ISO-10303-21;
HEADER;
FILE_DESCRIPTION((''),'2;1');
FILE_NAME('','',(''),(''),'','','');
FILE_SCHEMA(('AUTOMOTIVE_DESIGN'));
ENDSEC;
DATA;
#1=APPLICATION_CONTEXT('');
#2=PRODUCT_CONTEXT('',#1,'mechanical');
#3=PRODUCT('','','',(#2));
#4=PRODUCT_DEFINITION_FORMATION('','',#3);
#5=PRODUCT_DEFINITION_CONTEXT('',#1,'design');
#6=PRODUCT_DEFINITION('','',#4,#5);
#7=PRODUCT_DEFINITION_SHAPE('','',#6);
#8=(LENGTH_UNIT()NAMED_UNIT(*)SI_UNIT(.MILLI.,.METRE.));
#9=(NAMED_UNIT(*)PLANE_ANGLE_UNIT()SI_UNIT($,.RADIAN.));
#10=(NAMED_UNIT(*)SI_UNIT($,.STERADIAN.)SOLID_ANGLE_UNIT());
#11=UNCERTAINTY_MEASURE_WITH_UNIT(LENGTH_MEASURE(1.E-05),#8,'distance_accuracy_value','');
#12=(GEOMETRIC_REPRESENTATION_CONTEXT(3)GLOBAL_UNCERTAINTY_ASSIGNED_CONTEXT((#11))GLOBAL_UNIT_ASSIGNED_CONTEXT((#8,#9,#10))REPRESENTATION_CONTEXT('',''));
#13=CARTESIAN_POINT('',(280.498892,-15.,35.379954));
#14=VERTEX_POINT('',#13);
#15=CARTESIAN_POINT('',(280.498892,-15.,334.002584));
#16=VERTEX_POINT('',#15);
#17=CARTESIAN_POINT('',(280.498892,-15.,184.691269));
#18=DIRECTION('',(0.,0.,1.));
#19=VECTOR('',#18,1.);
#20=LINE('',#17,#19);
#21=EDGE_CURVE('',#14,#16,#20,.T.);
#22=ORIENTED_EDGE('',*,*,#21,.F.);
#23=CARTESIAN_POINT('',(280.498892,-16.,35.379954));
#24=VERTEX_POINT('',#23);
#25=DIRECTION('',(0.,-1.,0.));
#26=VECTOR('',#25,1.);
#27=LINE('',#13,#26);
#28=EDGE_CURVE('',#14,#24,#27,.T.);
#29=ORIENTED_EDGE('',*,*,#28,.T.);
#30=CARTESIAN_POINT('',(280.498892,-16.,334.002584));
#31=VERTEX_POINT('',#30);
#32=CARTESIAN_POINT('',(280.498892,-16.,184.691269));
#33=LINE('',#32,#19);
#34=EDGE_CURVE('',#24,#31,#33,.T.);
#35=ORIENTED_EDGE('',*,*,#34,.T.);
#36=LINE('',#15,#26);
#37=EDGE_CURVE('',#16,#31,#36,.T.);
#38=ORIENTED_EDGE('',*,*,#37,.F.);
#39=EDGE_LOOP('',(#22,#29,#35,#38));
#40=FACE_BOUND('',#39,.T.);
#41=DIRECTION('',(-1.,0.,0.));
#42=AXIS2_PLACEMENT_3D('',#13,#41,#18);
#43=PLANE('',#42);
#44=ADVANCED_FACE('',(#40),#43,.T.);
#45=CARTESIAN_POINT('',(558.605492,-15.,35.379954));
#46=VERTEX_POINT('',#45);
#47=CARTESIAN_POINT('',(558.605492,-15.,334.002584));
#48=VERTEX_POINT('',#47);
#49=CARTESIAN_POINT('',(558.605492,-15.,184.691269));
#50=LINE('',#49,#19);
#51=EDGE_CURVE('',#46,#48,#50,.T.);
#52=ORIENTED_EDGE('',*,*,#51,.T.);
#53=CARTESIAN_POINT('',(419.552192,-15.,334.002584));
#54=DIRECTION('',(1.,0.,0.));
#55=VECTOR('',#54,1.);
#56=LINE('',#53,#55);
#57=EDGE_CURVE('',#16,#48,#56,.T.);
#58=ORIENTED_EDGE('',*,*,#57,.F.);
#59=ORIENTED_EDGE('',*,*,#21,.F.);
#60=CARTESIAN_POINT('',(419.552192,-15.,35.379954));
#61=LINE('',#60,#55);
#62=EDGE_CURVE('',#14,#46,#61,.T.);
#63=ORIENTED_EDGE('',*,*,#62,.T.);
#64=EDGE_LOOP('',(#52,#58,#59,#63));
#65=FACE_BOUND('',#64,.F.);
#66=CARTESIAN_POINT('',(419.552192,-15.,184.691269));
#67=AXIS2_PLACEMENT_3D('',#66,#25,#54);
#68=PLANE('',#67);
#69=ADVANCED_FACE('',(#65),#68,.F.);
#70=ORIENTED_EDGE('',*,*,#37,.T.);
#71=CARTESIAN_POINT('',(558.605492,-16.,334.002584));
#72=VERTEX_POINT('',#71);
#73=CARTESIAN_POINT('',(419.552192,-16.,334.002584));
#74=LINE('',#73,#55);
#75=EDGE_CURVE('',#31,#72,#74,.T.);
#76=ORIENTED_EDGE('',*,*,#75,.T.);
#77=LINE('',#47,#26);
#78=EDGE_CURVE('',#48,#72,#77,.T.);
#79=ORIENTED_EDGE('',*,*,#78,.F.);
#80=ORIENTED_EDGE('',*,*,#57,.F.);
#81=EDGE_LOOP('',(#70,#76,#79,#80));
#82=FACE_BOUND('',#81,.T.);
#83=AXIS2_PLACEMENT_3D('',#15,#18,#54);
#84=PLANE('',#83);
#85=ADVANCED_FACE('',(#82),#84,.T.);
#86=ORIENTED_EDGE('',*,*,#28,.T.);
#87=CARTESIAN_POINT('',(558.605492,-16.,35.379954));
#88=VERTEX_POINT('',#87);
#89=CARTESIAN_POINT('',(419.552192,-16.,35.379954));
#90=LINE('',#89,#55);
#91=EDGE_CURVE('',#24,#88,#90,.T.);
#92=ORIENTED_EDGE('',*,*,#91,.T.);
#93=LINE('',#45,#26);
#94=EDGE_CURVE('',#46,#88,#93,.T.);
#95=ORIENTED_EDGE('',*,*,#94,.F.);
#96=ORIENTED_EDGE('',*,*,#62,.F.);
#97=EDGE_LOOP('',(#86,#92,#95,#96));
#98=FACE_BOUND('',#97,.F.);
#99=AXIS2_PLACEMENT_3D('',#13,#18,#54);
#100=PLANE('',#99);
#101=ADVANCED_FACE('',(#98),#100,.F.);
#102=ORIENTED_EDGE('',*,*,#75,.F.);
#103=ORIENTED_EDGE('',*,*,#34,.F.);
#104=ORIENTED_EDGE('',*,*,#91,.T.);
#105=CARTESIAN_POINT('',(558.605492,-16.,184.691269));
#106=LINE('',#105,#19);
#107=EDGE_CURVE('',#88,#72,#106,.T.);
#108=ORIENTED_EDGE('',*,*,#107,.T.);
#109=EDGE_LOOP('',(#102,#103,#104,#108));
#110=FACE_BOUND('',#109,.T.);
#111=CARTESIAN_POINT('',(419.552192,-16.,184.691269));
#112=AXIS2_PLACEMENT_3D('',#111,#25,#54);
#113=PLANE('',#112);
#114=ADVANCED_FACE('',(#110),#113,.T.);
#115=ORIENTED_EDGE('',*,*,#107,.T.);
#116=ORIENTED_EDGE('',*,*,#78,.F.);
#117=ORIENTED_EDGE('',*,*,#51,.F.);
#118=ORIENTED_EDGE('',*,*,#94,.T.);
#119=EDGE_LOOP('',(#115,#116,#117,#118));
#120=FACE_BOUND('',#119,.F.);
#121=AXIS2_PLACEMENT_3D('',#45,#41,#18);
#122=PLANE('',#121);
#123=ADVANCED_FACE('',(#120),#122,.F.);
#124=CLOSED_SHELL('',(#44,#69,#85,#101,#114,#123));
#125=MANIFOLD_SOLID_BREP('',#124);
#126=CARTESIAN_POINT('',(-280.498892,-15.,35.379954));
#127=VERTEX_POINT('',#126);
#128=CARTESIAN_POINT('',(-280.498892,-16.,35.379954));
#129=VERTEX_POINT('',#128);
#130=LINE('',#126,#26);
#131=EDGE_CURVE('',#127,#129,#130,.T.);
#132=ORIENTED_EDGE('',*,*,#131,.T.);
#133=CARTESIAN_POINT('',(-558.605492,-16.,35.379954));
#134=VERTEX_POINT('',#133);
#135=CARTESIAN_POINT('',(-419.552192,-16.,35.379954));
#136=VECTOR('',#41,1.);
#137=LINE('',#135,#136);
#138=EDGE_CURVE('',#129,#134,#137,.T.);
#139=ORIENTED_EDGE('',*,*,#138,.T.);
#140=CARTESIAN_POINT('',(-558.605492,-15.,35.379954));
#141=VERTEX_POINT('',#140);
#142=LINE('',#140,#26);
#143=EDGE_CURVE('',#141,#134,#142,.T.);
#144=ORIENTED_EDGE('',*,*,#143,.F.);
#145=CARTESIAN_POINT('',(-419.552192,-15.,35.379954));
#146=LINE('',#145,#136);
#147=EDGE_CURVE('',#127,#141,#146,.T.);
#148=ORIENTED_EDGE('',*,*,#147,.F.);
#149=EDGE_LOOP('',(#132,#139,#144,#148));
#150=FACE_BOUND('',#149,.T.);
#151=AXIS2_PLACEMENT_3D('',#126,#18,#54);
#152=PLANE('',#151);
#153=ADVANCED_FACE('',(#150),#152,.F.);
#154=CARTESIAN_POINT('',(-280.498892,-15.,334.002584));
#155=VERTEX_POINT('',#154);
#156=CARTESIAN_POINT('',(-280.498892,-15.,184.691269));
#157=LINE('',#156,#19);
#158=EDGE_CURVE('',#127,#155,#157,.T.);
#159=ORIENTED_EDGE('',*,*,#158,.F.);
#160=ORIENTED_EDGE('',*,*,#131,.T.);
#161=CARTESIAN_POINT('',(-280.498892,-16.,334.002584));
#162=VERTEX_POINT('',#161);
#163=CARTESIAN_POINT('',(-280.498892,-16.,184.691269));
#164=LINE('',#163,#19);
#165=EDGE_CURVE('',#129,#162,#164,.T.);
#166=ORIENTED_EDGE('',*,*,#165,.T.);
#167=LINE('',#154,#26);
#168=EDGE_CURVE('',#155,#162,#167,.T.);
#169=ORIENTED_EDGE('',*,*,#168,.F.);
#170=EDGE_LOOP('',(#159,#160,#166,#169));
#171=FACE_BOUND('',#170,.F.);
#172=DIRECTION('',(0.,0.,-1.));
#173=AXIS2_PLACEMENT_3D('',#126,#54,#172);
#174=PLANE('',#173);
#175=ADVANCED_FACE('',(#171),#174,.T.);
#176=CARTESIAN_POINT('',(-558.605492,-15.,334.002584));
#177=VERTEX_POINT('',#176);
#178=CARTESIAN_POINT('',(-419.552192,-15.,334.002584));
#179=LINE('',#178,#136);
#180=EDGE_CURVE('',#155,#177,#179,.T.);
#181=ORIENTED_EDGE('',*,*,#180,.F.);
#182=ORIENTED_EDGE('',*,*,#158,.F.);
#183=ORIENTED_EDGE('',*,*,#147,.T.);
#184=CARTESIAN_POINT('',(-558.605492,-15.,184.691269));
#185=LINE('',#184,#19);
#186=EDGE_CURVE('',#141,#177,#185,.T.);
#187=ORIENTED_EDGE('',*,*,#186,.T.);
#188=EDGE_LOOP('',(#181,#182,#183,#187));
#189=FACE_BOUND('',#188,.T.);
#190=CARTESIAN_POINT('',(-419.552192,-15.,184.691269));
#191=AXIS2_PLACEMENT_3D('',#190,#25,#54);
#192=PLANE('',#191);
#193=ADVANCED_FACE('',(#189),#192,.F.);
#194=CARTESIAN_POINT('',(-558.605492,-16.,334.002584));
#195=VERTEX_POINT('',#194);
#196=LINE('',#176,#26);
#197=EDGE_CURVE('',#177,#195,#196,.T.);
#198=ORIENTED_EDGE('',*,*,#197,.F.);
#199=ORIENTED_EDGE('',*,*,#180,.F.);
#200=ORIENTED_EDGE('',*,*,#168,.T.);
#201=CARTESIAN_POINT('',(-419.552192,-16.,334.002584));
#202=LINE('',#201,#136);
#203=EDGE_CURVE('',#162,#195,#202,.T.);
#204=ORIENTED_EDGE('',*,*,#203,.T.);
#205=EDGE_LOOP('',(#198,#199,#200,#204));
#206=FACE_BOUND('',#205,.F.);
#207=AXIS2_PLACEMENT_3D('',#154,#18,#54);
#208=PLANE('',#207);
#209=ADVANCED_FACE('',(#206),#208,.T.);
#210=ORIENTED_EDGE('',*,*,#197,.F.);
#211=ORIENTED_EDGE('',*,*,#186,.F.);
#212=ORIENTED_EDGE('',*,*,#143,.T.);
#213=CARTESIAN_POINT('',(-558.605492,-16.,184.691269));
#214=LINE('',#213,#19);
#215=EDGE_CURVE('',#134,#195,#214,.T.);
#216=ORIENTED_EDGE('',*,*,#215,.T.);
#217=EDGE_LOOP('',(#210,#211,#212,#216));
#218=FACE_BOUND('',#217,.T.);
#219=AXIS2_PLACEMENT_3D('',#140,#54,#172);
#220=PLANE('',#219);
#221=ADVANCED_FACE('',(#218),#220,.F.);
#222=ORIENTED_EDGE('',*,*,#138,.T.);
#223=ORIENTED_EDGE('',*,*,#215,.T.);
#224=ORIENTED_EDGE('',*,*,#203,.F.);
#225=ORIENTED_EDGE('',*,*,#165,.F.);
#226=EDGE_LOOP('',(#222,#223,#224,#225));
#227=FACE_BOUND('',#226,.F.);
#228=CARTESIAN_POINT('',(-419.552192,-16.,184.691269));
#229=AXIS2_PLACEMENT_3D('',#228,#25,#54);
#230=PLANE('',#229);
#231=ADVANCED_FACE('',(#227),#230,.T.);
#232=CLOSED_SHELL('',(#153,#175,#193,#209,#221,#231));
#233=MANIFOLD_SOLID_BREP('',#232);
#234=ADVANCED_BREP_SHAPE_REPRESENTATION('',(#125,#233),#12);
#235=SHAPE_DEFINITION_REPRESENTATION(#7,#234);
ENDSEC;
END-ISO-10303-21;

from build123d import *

# Parameters (mm, degrees)
F1_W     = 278.1066
F1_H     = 298.62263
F2_DEPTH = 1


with BuildPart() as f2:
    # F1 (on offset) → F2 (new body)
    with BuildSketch(Plane.XZ.offset(15)):
        with Locations((419.552192, 184.691269)):
            Rectangle(F1_W, F1_H)
    extrude(amount=F2_DEPTH)


with BuildPart() as f3_1:
    # F3: instance of F2
    add(f2.part.mirror(Plane.YZ))


solid = Compound([f2.part, f3_1.part])
